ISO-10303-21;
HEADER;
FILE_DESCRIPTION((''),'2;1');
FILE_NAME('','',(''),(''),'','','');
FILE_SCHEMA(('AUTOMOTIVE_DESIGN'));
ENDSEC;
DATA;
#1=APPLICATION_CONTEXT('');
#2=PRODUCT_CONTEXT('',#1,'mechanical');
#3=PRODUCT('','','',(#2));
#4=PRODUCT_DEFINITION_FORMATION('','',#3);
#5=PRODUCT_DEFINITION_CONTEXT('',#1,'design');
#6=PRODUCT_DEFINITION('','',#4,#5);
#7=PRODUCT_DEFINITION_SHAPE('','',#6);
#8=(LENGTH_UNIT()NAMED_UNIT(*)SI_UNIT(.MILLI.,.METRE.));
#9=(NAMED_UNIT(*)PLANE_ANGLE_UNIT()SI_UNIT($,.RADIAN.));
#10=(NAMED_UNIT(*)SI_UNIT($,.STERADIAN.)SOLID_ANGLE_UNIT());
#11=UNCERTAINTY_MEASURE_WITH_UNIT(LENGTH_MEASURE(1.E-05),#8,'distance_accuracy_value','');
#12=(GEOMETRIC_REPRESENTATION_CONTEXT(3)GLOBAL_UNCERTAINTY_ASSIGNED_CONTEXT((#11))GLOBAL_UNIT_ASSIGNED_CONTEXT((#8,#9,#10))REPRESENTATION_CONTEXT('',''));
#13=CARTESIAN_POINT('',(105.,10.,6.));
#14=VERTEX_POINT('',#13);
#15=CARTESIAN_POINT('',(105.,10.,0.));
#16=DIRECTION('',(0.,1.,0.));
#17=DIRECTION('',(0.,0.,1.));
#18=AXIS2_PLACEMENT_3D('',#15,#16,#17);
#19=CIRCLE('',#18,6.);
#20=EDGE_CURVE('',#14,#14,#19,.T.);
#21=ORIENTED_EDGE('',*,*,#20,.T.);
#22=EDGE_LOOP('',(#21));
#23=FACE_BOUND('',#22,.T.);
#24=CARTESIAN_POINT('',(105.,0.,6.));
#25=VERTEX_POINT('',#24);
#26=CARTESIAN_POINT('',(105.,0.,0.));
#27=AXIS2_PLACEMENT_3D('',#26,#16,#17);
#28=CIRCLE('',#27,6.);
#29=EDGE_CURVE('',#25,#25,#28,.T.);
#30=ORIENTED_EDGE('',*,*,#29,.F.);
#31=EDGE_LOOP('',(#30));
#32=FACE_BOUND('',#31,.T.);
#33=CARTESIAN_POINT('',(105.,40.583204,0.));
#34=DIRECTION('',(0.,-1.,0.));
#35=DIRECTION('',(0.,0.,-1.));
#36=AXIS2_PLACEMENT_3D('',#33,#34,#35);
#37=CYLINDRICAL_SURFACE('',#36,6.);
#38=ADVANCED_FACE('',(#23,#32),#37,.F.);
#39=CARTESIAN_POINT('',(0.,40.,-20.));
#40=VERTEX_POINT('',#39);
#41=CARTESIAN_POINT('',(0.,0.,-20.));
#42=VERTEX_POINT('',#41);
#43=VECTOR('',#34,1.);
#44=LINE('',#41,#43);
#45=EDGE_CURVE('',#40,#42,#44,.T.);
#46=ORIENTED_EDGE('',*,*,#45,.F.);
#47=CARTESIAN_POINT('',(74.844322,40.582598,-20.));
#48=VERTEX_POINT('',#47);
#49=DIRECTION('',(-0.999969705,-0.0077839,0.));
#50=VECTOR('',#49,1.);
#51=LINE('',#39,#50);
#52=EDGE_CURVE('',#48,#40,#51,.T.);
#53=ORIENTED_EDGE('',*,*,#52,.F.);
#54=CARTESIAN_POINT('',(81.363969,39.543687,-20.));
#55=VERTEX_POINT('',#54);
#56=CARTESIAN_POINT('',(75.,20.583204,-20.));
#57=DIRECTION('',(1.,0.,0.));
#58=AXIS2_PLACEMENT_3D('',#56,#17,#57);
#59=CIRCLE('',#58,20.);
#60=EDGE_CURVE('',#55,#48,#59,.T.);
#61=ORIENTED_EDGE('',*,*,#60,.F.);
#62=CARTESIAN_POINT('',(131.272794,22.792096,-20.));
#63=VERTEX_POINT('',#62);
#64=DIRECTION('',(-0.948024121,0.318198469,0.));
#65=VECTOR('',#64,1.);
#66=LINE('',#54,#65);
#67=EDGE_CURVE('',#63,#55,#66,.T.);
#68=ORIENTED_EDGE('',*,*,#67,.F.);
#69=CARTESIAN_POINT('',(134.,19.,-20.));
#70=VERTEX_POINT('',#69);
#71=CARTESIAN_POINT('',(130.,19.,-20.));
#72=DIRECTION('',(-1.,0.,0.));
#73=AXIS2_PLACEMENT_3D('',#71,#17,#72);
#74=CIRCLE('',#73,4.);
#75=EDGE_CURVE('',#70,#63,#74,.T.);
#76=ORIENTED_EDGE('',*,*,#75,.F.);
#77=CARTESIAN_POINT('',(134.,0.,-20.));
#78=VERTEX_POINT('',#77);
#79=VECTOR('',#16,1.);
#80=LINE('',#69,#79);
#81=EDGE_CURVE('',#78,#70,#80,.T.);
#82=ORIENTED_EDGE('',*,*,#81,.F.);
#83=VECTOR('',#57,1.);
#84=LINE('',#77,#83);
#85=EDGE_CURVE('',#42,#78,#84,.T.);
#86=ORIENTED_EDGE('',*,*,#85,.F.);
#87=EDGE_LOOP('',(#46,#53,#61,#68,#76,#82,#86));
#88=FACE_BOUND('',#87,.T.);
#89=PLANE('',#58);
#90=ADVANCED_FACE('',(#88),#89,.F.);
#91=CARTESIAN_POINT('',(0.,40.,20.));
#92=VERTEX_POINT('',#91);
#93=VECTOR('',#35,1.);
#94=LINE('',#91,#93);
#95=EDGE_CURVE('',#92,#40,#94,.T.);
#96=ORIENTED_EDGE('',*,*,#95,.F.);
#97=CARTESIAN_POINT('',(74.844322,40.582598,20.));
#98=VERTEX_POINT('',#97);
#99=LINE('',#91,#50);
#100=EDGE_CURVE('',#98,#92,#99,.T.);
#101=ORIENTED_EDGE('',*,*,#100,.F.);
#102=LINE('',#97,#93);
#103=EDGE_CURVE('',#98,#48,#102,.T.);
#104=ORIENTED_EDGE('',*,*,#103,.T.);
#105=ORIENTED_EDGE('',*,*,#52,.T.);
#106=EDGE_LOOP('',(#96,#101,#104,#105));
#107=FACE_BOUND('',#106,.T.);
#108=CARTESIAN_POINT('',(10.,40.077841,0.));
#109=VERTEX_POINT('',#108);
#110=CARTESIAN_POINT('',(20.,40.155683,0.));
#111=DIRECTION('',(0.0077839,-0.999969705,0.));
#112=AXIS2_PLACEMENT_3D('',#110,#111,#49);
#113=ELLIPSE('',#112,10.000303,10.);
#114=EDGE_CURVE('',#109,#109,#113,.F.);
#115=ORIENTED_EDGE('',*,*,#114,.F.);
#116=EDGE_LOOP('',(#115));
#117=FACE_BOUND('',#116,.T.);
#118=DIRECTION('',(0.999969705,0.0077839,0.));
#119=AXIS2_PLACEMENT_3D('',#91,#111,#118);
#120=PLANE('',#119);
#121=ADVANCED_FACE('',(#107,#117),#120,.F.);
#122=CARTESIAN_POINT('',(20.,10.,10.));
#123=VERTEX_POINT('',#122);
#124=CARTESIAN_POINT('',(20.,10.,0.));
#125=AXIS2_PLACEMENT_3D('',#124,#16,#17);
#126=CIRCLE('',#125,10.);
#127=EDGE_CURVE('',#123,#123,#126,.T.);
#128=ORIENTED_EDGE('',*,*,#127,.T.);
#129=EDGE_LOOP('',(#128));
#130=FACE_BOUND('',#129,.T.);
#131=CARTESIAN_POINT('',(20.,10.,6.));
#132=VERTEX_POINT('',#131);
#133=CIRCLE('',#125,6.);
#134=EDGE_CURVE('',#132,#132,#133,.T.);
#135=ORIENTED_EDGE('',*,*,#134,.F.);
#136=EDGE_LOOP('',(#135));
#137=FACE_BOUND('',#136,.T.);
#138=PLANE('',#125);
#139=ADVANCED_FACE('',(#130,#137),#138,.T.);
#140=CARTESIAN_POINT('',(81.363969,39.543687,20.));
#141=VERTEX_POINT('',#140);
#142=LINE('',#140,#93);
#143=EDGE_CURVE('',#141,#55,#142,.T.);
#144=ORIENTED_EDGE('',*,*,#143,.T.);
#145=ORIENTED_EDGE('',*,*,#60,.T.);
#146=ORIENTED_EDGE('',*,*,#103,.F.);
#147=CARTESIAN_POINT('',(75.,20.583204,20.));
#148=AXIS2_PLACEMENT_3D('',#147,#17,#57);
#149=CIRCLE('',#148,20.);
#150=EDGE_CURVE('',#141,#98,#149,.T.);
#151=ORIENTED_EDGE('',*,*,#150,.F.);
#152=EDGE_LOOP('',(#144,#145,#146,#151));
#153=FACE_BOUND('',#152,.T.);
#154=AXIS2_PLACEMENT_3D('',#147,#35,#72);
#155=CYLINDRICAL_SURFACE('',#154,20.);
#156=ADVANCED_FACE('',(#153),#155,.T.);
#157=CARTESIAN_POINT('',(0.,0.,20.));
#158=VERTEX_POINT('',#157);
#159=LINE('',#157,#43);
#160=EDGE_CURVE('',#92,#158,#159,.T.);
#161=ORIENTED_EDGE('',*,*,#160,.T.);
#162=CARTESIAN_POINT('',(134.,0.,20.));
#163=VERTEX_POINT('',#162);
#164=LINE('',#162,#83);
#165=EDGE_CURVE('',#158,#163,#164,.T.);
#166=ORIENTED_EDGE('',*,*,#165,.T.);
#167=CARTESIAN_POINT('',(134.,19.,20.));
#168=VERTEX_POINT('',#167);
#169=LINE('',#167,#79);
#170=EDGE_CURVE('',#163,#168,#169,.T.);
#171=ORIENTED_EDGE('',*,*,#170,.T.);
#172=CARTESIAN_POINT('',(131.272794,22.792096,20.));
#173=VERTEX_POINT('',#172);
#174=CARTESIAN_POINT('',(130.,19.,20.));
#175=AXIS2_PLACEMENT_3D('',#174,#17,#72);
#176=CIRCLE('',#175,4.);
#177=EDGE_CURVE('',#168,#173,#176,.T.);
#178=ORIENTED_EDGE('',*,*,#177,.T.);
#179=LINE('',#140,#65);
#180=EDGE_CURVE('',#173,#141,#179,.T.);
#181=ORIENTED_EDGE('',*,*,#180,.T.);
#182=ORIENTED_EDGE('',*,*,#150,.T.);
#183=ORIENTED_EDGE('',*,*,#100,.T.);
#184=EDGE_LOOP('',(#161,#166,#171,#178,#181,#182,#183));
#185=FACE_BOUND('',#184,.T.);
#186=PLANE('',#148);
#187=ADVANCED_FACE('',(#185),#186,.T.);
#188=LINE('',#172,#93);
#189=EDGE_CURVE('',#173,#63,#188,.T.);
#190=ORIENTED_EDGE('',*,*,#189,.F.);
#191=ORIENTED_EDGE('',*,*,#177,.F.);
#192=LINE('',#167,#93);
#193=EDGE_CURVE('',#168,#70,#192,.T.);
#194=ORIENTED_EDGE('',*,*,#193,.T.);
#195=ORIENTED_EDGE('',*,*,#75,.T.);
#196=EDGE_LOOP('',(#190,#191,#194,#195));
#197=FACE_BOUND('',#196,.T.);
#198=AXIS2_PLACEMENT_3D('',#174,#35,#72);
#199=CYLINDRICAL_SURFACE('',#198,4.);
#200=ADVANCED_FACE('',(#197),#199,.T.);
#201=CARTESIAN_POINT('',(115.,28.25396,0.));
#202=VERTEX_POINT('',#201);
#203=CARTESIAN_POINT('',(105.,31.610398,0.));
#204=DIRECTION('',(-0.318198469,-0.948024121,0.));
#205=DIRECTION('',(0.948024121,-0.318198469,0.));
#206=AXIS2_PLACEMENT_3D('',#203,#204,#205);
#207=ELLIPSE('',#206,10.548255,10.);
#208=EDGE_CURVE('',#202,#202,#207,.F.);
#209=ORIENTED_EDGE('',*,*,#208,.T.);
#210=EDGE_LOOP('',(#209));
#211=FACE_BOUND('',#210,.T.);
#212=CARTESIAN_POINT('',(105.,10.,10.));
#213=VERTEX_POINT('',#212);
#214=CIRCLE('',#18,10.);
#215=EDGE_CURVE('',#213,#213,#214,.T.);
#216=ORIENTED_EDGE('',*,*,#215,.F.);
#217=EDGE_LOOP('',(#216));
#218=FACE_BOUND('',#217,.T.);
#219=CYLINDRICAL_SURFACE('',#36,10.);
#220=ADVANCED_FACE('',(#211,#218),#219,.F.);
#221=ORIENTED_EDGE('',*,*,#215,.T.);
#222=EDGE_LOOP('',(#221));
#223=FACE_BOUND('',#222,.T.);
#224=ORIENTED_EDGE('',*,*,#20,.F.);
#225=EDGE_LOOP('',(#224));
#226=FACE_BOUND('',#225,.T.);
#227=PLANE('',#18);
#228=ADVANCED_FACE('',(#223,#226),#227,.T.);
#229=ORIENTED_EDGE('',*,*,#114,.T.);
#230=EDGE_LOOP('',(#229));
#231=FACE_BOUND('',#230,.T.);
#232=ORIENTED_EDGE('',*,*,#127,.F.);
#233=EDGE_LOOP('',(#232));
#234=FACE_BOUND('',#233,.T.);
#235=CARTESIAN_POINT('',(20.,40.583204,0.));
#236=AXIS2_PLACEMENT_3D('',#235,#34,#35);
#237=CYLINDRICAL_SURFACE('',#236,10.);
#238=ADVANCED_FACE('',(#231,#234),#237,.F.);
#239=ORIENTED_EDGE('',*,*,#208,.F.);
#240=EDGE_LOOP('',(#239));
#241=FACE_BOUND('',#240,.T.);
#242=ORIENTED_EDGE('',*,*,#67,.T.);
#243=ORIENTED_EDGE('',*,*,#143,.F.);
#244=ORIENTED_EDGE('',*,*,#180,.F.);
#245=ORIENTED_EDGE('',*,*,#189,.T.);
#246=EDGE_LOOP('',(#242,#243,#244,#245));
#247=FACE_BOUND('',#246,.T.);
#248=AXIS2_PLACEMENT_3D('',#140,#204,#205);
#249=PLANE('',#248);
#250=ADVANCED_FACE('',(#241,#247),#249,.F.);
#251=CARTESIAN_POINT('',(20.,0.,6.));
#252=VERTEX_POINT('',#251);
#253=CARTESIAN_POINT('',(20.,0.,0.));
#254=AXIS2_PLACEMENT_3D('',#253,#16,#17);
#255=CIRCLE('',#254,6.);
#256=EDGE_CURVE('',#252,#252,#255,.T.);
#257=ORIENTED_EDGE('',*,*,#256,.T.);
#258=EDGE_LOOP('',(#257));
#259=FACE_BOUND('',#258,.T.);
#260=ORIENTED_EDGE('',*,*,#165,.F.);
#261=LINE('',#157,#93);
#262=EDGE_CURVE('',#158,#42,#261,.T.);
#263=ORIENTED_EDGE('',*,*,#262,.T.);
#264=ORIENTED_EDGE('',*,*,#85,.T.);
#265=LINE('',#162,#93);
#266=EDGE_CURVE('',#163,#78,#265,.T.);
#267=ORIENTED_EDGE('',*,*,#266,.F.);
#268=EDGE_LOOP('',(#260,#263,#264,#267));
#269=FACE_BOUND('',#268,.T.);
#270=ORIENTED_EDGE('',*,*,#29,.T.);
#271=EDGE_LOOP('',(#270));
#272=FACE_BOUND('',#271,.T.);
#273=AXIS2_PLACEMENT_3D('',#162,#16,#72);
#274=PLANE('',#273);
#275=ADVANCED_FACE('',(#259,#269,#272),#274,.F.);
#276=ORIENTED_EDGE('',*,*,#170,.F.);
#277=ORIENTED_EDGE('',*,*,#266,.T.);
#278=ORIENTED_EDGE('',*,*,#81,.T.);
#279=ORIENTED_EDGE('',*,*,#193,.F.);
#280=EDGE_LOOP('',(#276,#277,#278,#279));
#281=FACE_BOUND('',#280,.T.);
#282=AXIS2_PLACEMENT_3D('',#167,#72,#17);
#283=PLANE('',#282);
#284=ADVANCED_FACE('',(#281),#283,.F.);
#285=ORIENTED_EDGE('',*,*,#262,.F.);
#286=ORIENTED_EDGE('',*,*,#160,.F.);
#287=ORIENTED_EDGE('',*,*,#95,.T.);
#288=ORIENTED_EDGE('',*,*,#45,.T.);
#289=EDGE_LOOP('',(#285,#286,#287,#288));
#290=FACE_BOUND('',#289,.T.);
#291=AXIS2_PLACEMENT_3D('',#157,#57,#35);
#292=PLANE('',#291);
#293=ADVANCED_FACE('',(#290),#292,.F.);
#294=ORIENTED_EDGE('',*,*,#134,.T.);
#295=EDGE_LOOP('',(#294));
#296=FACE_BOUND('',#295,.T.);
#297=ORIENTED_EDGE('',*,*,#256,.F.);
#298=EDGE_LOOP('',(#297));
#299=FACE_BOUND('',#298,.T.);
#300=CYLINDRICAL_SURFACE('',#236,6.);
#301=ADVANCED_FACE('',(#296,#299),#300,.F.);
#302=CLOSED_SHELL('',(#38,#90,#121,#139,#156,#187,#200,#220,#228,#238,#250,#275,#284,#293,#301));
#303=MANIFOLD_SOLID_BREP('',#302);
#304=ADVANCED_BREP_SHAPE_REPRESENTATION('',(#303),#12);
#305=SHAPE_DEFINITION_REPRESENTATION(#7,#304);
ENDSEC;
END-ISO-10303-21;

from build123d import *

# Parameters (mm, degrees)
BOSS_EXTRUDE1_DEPTH = 20
SKETCH4_R           = 6
CUT_EXTRUDE11_DEPTH = 142.431949953
CUT_EXTRUDE12_START = 10
SKETCH4_13_R        = 10
SKETCH4_13_R_2      = 6
CUT_EXTRUDE12_DEPTH = 132.431949953


with BuildPart() as part:
    # Sketch1 → Boss-Extrude1 (new, symmetric)
    with BuildSketch(Plane.XY):
        with BuildLine():
            Line((0, 0), (0, 40))
            Line((0, 40), (74.844322004, 40.582598355))
            ThreePointArc((74.844322004, 40.582598355), (78.147309148, 40.334012976), (81.36396939, 39.543686675))
            Line((81.36396939, 39.543686675), (131.272793878, 22.792096484))
            ThreePointArc((131.272793878, 22.792096484), (133.247397074, 21.335468314), (134, 19))
            Line((134, 19), (134, 0))
            Line((134, 0), (0, 0))
        make_face()
    extrude(amount=BOSS_EXTRUDE1_DEPTH, both=True)

    # Sketch4 → Cut-Extrude11 (cut, through all)
    with BuildSketch(Plane(origin=(0, 0, 0), x_dir=(1, 0, 0), z_dir=(0, 1, 0))):
        with Locations((20, 0)):
            Circle(SKETCH4_R)
        with Locations((105, 0)):
            Circle(SKETCH4_R)
    extrude(amount=CUT_EXTRUDE11_DEPTH, mode=Mode.SUBTRACT)

    # Sketch4<13> → Cut-Extrude12 (cut, through all)
    # profile 1 of 2: a face of its own
    with BuildSketch(Plane(origin=(0, 0, 0), x_dir=(1, 0, 0), z_dir=(0, 1, 0)).offset(CUT_EXTRUDE12_START)):
        with Locations((20, 0)):
            Circle(SKETCH4_13_R)
        with Locations((20, 0)):
            Circle(SKETCH4_13_R_2, mode=Mode.SUBTRACT)
    # profile 2 of 2: a face of its own
    with BuildSketch(Plane(origin=(0, 0, 0), x_dir=(1, 0, 0), z_dir=(0, 1, 0)).offset(CUT_EXTRUDE12_START)):
        with Locations((105, 0)):
            Circle(SKETCH4_13_R)
        with Locations((105, 0)):
            Circle(SKETCH4_13_R_2, mode=Mode.SUBTRACT)
    extrude(amount=CUT_EXTRUDE12_DEPTH, mode=Mode.SUBTRACT)


solid = part.part
